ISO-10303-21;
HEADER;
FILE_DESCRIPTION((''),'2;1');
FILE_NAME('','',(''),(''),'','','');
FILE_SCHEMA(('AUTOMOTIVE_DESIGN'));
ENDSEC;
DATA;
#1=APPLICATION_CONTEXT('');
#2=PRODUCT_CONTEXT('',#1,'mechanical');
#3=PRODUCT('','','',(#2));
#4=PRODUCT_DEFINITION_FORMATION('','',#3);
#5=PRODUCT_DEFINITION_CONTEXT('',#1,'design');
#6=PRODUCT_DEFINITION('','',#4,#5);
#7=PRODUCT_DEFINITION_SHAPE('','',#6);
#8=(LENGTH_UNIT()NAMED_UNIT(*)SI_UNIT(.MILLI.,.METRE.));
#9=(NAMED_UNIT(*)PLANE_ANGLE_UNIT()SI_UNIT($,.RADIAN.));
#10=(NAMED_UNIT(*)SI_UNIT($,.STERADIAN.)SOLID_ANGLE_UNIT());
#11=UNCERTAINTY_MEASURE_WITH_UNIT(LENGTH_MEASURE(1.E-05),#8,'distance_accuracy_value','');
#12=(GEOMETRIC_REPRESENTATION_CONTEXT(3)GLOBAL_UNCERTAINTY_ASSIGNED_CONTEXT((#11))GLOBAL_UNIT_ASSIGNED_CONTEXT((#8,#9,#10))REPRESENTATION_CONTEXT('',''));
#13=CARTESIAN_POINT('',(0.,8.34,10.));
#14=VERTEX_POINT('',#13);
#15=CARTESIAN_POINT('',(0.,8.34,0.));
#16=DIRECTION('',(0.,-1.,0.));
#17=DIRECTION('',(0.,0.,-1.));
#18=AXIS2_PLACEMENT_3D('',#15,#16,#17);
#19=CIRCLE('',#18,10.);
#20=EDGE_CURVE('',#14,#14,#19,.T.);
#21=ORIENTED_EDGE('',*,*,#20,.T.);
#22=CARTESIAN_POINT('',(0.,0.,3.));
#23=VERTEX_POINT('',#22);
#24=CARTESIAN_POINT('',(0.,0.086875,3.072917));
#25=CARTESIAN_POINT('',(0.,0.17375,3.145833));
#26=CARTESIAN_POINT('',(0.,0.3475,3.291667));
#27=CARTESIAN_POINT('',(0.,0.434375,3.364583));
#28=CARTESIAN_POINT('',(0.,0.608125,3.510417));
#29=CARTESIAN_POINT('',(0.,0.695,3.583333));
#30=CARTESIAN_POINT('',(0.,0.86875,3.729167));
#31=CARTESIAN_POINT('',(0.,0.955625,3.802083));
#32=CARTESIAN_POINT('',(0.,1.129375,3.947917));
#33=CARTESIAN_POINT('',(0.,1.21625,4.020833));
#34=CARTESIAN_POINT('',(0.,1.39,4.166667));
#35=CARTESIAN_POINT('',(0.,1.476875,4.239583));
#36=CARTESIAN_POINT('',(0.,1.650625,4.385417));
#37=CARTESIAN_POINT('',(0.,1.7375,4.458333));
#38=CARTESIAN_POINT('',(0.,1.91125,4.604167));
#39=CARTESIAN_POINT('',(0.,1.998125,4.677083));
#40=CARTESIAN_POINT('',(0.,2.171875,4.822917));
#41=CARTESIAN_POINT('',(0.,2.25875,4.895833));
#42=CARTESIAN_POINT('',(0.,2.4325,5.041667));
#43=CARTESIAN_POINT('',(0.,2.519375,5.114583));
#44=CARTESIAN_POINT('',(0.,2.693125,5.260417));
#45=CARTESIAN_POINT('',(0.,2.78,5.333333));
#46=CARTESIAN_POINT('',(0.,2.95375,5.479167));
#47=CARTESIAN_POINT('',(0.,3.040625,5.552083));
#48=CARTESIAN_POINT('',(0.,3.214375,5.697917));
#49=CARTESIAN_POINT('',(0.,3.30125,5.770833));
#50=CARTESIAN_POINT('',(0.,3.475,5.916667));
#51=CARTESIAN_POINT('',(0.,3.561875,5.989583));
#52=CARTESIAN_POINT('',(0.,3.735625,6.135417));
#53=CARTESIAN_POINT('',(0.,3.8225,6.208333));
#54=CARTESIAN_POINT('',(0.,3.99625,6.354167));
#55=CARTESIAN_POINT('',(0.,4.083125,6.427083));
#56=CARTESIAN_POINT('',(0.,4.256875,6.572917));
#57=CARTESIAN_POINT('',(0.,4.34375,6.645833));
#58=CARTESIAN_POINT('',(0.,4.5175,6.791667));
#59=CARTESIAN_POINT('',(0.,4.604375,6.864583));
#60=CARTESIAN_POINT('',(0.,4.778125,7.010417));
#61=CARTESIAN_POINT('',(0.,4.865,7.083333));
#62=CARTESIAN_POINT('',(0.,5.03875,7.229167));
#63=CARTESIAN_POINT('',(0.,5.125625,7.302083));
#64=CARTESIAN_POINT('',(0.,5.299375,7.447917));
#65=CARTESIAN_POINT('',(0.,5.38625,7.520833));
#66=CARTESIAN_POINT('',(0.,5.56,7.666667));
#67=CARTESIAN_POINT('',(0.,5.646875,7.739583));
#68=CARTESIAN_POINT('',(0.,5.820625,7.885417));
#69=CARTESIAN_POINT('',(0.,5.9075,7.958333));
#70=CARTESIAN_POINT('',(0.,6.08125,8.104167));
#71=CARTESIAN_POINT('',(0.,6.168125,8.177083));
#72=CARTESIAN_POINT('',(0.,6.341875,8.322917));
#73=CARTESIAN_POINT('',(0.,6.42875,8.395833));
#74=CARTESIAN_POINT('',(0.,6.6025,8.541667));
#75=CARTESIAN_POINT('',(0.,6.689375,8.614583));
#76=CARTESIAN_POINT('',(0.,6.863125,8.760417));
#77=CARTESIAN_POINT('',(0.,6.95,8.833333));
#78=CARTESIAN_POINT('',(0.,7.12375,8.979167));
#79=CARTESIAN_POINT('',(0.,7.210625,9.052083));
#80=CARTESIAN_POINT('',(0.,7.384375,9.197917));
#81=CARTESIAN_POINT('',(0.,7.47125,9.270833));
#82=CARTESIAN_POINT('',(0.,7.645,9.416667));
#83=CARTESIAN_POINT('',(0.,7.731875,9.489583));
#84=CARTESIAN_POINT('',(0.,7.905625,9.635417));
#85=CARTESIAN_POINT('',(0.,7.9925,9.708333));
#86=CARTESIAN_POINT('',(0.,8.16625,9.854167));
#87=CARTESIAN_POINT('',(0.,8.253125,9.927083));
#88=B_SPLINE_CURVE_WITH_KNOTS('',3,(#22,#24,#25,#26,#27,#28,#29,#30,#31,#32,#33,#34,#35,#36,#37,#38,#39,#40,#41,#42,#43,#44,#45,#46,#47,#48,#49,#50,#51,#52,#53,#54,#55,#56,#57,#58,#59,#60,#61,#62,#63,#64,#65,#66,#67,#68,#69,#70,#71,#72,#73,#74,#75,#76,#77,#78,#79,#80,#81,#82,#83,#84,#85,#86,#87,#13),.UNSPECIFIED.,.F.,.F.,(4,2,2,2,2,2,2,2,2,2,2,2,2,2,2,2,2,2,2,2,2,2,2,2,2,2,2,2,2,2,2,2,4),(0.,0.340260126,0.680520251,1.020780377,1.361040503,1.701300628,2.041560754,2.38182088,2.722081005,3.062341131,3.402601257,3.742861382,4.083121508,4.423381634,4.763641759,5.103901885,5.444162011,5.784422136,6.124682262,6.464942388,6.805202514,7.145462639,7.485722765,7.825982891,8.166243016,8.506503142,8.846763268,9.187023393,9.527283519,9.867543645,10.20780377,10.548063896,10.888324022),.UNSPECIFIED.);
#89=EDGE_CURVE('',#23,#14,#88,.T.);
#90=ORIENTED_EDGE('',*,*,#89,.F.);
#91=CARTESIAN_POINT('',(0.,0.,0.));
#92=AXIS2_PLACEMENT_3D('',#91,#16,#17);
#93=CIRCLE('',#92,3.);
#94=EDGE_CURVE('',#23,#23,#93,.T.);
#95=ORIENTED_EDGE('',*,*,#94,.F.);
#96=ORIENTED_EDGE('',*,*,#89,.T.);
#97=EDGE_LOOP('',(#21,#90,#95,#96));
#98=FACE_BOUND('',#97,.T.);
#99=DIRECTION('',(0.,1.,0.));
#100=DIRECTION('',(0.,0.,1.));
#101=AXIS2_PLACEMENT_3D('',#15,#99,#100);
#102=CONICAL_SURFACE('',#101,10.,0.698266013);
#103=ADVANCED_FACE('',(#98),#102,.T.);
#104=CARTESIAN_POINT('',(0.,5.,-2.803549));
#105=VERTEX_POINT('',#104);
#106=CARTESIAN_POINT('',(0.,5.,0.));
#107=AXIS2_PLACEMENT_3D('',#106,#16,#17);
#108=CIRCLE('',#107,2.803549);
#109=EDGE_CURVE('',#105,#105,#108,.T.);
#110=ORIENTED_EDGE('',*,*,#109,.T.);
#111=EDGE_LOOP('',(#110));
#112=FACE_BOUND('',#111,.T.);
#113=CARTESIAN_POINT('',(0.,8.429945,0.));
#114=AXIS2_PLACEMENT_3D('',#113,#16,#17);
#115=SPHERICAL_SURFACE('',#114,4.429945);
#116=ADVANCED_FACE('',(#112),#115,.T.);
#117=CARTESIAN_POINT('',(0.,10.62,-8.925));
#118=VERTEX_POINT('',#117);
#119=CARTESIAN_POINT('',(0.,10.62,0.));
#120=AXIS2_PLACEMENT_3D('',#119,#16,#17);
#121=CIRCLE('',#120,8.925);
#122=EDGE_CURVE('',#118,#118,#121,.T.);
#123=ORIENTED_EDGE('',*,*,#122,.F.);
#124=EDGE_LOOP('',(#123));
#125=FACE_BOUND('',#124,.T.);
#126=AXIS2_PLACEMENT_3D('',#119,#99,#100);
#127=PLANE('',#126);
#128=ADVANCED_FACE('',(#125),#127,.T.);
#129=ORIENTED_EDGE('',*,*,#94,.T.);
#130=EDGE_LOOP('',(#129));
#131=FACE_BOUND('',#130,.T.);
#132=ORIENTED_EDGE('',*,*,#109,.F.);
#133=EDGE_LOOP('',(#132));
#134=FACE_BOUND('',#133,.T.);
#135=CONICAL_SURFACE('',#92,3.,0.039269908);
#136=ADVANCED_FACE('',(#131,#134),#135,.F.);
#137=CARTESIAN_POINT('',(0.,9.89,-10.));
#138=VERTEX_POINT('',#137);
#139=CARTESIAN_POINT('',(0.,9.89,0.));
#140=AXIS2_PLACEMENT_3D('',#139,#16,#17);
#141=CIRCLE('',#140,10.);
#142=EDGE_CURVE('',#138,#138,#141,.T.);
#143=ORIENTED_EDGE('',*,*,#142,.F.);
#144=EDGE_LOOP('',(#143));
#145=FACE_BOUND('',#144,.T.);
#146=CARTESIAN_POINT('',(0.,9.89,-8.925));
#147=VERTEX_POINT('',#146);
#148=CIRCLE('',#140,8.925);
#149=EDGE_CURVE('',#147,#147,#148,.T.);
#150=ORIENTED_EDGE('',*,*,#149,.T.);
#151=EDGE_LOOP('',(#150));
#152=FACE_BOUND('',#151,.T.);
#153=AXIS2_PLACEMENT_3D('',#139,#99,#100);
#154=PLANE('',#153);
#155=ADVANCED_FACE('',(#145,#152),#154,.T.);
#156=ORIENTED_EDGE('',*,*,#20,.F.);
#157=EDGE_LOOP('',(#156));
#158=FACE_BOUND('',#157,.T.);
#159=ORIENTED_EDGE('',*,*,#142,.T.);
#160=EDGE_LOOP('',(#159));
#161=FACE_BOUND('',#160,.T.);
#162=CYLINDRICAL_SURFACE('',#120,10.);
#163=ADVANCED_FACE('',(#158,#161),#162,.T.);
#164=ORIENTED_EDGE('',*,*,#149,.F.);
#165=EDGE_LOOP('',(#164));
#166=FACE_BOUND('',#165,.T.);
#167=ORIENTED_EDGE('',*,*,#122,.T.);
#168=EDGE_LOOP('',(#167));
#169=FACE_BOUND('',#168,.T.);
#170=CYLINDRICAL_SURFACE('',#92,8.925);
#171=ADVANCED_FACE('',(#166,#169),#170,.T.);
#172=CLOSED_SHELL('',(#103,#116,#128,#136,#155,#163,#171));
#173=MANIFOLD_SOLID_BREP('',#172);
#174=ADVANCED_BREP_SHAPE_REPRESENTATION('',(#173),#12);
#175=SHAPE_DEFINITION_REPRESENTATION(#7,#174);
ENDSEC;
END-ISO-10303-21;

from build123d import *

# Parameters (mm, degrees)
SKETCH1_R           = 10
BOSS_EXTRUDE1_DEPTH = 10.62
SKETCH3_R           = 3
CUT_EXTRUDE1_DEPTH  = 5
CUT_EXTRUDE1_DRAFT  = -2.25
DOME1_FACE_RADIUS   = 2.803549465
DOME1_HEIGHT        = 1


with BuildPart() as part:
    # Sketch1 → Boss-Extrude1 (new body)
    with BuildSketch(Plane(origin=(0, 0, 0), x_dir=(1, 0, 0), z_dir=(0, 1, 0))):
        with Locations(Location((0, 0, 0), (0, 0, 270))):
            Circle(SKETCH1_R)
    extrude(amount=BOSS_EXTRUDE1_DEPTH)

    # Sketch2 → Cut-Revolve1 (revolve, cut)
    with BuildSketch(Plane(origin=(0, 0, 0), x_dir=(0, 0, -1), z_dir=(1, 0, 0))):
        Polygon((11, 9.89), (10, 9.89), (10, 8.34), (3, 0), (11, 0), align=None)
        Polygon((11, 10.62), (8.925, 10.62), (8.925, 9.89), (10, 9.89), (11, 9.89), align=None)
    revolve(axis=Axis((0, 0, 0), (0, 1, 0)), mode=Mode.SUBTRACT)


with BuildPart() as cut_extrude1_tool:
    # Sketch3 → Cut-Extrude1 (with draft: the straight prism first)
    with BuildSketch(Plane.XZ):
        Circle(SKETCH3_R)
    extrude(amount=-CUT_EXTRUDE1_DEPTH)
    # Cut-Extrude1: the draft: its side faces are tilted about the plane it starts from
    cut_extrude1_sides = [cut_extrude1_tool.faces().sort_by_distance(p)[0] for p in [
        (-3, 2.5, 0),
    ]]
    draft(cut_extrude1_sides, Plane.XZ, CUT_EXTRUDE1_DRAFT)


with BuildPart() as part_1:
    add(part.part)

    # Cut-Extrude1: cut by cut_extrude1_tool
    add(cut_extrude1_tool.part, mode=Mode.SUBTRACT)

    # Dome1: a dome of height H over a round flat face of radius A is a cap of a sphere of radius (A * A + H * H) / (2 * H)
    dome1_r = (DOME1_FACE_RADIUS * DOME1_FACE_RADIUS + DOME1_HEIGHT * DOME1_HEIGHT) / (2 * DOME1_HEIGHT)
    dome1_base = Plane((0, 5, 0), z_dir=(0, -1, 0))
    with Locations(dome1_base.offset(DOME1_HEIGHT - dome1_r)):
        dome1_ball = Sphere(dome1_r, mode=Mode.PRIVATE)
    add(split(dome1_ball, bisect_by=dome1_base, keep=Keep.TOP, mode=Mode.PRIVATE))


solid = part_1.part
